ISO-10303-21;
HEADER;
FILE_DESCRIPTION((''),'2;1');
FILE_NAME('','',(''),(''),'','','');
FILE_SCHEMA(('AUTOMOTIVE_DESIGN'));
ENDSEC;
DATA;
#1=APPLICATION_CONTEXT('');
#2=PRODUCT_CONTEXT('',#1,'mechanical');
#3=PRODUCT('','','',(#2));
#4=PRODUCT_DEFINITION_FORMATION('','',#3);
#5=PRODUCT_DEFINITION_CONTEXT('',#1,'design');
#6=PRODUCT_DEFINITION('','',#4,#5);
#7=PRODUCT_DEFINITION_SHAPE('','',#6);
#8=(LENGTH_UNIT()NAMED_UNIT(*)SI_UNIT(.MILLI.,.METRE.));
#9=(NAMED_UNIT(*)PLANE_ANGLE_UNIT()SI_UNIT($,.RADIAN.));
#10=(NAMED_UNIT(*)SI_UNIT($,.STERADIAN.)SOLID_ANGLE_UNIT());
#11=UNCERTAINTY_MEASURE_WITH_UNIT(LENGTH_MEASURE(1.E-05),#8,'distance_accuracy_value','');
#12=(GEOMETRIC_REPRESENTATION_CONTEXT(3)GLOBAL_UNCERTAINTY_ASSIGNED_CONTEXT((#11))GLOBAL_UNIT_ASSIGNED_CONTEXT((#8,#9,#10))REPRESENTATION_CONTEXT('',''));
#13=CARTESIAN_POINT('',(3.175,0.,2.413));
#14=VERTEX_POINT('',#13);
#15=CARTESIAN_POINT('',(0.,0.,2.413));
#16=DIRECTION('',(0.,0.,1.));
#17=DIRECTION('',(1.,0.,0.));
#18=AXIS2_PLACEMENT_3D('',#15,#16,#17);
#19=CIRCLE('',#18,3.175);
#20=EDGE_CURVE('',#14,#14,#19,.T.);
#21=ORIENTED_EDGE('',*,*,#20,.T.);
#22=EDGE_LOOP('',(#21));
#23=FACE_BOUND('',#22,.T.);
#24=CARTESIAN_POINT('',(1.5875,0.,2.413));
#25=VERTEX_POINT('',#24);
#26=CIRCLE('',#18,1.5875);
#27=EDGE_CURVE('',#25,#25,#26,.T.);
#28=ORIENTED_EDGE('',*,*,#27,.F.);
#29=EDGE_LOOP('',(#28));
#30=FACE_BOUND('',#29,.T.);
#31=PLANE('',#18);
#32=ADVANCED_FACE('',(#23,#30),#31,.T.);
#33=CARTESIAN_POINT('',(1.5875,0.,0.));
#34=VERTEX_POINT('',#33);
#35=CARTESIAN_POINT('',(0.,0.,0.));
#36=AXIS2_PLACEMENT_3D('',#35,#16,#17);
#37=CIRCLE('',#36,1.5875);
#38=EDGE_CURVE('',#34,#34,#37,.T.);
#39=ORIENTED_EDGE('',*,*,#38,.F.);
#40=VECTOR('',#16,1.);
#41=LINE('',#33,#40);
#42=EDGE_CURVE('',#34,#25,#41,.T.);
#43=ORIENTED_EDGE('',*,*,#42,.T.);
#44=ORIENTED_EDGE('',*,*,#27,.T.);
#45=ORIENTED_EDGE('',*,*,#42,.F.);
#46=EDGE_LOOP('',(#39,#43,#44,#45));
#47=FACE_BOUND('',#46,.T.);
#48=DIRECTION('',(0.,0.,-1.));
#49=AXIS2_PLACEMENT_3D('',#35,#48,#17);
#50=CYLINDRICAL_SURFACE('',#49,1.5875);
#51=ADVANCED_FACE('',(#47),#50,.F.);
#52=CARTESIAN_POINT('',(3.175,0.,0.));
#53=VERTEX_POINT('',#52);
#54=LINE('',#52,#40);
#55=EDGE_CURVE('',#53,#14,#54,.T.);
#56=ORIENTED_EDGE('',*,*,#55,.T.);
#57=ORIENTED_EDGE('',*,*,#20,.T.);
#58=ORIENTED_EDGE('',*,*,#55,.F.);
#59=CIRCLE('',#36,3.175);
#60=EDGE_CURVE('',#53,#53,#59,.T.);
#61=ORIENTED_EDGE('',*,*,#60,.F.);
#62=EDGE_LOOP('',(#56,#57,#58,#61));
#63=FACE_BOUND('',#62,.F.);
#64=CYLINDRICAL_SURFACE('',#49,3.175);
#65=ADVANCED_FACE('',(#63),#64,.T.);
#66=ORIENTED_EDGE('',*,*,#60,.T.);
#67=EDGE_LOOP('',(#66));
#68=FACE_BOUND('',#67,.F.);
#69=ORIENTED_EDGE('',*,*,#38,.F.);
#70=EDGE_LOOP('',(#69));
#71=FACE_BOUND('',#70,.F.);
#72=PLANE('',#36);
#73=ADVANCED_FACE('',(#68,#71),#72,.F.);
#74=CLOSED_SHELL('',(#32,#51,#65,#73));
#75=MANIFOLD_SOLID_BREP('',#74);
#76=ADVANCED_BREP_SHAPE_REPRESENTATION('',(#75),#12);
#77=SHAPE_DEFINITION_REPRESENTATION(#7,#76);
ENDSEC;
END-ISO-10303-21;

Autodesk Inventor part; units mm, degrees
ref_plane "YZ Plane" through (0, 0, 0) normal (1, 0, 0) x (0, 1, 0)
ref_plane "XZ Plane" through (0, 0, 0) normal (0, 1, 0) x (-1, 0, 0)
ref_plane "XY Plane" through (0, 0, 0) normal (0, 0, 1) x (1, 0, 0)
sketch "Sketch1" plane through (0, 0, 0) normal (0, 0, 1) x (1, 0, 0)
  circle A0 centre (0, 0) radius 1.5875
  circle A1 centre (0, 0) radius 3.175
  dimension "d0" = 3.175
  dimension "d1" = 6.35
extrude "Extrusion1" add sketch "Sketch1" along normal blind 2.413
properties part number "ArduinoSpacers" material "ABS Plastic"
